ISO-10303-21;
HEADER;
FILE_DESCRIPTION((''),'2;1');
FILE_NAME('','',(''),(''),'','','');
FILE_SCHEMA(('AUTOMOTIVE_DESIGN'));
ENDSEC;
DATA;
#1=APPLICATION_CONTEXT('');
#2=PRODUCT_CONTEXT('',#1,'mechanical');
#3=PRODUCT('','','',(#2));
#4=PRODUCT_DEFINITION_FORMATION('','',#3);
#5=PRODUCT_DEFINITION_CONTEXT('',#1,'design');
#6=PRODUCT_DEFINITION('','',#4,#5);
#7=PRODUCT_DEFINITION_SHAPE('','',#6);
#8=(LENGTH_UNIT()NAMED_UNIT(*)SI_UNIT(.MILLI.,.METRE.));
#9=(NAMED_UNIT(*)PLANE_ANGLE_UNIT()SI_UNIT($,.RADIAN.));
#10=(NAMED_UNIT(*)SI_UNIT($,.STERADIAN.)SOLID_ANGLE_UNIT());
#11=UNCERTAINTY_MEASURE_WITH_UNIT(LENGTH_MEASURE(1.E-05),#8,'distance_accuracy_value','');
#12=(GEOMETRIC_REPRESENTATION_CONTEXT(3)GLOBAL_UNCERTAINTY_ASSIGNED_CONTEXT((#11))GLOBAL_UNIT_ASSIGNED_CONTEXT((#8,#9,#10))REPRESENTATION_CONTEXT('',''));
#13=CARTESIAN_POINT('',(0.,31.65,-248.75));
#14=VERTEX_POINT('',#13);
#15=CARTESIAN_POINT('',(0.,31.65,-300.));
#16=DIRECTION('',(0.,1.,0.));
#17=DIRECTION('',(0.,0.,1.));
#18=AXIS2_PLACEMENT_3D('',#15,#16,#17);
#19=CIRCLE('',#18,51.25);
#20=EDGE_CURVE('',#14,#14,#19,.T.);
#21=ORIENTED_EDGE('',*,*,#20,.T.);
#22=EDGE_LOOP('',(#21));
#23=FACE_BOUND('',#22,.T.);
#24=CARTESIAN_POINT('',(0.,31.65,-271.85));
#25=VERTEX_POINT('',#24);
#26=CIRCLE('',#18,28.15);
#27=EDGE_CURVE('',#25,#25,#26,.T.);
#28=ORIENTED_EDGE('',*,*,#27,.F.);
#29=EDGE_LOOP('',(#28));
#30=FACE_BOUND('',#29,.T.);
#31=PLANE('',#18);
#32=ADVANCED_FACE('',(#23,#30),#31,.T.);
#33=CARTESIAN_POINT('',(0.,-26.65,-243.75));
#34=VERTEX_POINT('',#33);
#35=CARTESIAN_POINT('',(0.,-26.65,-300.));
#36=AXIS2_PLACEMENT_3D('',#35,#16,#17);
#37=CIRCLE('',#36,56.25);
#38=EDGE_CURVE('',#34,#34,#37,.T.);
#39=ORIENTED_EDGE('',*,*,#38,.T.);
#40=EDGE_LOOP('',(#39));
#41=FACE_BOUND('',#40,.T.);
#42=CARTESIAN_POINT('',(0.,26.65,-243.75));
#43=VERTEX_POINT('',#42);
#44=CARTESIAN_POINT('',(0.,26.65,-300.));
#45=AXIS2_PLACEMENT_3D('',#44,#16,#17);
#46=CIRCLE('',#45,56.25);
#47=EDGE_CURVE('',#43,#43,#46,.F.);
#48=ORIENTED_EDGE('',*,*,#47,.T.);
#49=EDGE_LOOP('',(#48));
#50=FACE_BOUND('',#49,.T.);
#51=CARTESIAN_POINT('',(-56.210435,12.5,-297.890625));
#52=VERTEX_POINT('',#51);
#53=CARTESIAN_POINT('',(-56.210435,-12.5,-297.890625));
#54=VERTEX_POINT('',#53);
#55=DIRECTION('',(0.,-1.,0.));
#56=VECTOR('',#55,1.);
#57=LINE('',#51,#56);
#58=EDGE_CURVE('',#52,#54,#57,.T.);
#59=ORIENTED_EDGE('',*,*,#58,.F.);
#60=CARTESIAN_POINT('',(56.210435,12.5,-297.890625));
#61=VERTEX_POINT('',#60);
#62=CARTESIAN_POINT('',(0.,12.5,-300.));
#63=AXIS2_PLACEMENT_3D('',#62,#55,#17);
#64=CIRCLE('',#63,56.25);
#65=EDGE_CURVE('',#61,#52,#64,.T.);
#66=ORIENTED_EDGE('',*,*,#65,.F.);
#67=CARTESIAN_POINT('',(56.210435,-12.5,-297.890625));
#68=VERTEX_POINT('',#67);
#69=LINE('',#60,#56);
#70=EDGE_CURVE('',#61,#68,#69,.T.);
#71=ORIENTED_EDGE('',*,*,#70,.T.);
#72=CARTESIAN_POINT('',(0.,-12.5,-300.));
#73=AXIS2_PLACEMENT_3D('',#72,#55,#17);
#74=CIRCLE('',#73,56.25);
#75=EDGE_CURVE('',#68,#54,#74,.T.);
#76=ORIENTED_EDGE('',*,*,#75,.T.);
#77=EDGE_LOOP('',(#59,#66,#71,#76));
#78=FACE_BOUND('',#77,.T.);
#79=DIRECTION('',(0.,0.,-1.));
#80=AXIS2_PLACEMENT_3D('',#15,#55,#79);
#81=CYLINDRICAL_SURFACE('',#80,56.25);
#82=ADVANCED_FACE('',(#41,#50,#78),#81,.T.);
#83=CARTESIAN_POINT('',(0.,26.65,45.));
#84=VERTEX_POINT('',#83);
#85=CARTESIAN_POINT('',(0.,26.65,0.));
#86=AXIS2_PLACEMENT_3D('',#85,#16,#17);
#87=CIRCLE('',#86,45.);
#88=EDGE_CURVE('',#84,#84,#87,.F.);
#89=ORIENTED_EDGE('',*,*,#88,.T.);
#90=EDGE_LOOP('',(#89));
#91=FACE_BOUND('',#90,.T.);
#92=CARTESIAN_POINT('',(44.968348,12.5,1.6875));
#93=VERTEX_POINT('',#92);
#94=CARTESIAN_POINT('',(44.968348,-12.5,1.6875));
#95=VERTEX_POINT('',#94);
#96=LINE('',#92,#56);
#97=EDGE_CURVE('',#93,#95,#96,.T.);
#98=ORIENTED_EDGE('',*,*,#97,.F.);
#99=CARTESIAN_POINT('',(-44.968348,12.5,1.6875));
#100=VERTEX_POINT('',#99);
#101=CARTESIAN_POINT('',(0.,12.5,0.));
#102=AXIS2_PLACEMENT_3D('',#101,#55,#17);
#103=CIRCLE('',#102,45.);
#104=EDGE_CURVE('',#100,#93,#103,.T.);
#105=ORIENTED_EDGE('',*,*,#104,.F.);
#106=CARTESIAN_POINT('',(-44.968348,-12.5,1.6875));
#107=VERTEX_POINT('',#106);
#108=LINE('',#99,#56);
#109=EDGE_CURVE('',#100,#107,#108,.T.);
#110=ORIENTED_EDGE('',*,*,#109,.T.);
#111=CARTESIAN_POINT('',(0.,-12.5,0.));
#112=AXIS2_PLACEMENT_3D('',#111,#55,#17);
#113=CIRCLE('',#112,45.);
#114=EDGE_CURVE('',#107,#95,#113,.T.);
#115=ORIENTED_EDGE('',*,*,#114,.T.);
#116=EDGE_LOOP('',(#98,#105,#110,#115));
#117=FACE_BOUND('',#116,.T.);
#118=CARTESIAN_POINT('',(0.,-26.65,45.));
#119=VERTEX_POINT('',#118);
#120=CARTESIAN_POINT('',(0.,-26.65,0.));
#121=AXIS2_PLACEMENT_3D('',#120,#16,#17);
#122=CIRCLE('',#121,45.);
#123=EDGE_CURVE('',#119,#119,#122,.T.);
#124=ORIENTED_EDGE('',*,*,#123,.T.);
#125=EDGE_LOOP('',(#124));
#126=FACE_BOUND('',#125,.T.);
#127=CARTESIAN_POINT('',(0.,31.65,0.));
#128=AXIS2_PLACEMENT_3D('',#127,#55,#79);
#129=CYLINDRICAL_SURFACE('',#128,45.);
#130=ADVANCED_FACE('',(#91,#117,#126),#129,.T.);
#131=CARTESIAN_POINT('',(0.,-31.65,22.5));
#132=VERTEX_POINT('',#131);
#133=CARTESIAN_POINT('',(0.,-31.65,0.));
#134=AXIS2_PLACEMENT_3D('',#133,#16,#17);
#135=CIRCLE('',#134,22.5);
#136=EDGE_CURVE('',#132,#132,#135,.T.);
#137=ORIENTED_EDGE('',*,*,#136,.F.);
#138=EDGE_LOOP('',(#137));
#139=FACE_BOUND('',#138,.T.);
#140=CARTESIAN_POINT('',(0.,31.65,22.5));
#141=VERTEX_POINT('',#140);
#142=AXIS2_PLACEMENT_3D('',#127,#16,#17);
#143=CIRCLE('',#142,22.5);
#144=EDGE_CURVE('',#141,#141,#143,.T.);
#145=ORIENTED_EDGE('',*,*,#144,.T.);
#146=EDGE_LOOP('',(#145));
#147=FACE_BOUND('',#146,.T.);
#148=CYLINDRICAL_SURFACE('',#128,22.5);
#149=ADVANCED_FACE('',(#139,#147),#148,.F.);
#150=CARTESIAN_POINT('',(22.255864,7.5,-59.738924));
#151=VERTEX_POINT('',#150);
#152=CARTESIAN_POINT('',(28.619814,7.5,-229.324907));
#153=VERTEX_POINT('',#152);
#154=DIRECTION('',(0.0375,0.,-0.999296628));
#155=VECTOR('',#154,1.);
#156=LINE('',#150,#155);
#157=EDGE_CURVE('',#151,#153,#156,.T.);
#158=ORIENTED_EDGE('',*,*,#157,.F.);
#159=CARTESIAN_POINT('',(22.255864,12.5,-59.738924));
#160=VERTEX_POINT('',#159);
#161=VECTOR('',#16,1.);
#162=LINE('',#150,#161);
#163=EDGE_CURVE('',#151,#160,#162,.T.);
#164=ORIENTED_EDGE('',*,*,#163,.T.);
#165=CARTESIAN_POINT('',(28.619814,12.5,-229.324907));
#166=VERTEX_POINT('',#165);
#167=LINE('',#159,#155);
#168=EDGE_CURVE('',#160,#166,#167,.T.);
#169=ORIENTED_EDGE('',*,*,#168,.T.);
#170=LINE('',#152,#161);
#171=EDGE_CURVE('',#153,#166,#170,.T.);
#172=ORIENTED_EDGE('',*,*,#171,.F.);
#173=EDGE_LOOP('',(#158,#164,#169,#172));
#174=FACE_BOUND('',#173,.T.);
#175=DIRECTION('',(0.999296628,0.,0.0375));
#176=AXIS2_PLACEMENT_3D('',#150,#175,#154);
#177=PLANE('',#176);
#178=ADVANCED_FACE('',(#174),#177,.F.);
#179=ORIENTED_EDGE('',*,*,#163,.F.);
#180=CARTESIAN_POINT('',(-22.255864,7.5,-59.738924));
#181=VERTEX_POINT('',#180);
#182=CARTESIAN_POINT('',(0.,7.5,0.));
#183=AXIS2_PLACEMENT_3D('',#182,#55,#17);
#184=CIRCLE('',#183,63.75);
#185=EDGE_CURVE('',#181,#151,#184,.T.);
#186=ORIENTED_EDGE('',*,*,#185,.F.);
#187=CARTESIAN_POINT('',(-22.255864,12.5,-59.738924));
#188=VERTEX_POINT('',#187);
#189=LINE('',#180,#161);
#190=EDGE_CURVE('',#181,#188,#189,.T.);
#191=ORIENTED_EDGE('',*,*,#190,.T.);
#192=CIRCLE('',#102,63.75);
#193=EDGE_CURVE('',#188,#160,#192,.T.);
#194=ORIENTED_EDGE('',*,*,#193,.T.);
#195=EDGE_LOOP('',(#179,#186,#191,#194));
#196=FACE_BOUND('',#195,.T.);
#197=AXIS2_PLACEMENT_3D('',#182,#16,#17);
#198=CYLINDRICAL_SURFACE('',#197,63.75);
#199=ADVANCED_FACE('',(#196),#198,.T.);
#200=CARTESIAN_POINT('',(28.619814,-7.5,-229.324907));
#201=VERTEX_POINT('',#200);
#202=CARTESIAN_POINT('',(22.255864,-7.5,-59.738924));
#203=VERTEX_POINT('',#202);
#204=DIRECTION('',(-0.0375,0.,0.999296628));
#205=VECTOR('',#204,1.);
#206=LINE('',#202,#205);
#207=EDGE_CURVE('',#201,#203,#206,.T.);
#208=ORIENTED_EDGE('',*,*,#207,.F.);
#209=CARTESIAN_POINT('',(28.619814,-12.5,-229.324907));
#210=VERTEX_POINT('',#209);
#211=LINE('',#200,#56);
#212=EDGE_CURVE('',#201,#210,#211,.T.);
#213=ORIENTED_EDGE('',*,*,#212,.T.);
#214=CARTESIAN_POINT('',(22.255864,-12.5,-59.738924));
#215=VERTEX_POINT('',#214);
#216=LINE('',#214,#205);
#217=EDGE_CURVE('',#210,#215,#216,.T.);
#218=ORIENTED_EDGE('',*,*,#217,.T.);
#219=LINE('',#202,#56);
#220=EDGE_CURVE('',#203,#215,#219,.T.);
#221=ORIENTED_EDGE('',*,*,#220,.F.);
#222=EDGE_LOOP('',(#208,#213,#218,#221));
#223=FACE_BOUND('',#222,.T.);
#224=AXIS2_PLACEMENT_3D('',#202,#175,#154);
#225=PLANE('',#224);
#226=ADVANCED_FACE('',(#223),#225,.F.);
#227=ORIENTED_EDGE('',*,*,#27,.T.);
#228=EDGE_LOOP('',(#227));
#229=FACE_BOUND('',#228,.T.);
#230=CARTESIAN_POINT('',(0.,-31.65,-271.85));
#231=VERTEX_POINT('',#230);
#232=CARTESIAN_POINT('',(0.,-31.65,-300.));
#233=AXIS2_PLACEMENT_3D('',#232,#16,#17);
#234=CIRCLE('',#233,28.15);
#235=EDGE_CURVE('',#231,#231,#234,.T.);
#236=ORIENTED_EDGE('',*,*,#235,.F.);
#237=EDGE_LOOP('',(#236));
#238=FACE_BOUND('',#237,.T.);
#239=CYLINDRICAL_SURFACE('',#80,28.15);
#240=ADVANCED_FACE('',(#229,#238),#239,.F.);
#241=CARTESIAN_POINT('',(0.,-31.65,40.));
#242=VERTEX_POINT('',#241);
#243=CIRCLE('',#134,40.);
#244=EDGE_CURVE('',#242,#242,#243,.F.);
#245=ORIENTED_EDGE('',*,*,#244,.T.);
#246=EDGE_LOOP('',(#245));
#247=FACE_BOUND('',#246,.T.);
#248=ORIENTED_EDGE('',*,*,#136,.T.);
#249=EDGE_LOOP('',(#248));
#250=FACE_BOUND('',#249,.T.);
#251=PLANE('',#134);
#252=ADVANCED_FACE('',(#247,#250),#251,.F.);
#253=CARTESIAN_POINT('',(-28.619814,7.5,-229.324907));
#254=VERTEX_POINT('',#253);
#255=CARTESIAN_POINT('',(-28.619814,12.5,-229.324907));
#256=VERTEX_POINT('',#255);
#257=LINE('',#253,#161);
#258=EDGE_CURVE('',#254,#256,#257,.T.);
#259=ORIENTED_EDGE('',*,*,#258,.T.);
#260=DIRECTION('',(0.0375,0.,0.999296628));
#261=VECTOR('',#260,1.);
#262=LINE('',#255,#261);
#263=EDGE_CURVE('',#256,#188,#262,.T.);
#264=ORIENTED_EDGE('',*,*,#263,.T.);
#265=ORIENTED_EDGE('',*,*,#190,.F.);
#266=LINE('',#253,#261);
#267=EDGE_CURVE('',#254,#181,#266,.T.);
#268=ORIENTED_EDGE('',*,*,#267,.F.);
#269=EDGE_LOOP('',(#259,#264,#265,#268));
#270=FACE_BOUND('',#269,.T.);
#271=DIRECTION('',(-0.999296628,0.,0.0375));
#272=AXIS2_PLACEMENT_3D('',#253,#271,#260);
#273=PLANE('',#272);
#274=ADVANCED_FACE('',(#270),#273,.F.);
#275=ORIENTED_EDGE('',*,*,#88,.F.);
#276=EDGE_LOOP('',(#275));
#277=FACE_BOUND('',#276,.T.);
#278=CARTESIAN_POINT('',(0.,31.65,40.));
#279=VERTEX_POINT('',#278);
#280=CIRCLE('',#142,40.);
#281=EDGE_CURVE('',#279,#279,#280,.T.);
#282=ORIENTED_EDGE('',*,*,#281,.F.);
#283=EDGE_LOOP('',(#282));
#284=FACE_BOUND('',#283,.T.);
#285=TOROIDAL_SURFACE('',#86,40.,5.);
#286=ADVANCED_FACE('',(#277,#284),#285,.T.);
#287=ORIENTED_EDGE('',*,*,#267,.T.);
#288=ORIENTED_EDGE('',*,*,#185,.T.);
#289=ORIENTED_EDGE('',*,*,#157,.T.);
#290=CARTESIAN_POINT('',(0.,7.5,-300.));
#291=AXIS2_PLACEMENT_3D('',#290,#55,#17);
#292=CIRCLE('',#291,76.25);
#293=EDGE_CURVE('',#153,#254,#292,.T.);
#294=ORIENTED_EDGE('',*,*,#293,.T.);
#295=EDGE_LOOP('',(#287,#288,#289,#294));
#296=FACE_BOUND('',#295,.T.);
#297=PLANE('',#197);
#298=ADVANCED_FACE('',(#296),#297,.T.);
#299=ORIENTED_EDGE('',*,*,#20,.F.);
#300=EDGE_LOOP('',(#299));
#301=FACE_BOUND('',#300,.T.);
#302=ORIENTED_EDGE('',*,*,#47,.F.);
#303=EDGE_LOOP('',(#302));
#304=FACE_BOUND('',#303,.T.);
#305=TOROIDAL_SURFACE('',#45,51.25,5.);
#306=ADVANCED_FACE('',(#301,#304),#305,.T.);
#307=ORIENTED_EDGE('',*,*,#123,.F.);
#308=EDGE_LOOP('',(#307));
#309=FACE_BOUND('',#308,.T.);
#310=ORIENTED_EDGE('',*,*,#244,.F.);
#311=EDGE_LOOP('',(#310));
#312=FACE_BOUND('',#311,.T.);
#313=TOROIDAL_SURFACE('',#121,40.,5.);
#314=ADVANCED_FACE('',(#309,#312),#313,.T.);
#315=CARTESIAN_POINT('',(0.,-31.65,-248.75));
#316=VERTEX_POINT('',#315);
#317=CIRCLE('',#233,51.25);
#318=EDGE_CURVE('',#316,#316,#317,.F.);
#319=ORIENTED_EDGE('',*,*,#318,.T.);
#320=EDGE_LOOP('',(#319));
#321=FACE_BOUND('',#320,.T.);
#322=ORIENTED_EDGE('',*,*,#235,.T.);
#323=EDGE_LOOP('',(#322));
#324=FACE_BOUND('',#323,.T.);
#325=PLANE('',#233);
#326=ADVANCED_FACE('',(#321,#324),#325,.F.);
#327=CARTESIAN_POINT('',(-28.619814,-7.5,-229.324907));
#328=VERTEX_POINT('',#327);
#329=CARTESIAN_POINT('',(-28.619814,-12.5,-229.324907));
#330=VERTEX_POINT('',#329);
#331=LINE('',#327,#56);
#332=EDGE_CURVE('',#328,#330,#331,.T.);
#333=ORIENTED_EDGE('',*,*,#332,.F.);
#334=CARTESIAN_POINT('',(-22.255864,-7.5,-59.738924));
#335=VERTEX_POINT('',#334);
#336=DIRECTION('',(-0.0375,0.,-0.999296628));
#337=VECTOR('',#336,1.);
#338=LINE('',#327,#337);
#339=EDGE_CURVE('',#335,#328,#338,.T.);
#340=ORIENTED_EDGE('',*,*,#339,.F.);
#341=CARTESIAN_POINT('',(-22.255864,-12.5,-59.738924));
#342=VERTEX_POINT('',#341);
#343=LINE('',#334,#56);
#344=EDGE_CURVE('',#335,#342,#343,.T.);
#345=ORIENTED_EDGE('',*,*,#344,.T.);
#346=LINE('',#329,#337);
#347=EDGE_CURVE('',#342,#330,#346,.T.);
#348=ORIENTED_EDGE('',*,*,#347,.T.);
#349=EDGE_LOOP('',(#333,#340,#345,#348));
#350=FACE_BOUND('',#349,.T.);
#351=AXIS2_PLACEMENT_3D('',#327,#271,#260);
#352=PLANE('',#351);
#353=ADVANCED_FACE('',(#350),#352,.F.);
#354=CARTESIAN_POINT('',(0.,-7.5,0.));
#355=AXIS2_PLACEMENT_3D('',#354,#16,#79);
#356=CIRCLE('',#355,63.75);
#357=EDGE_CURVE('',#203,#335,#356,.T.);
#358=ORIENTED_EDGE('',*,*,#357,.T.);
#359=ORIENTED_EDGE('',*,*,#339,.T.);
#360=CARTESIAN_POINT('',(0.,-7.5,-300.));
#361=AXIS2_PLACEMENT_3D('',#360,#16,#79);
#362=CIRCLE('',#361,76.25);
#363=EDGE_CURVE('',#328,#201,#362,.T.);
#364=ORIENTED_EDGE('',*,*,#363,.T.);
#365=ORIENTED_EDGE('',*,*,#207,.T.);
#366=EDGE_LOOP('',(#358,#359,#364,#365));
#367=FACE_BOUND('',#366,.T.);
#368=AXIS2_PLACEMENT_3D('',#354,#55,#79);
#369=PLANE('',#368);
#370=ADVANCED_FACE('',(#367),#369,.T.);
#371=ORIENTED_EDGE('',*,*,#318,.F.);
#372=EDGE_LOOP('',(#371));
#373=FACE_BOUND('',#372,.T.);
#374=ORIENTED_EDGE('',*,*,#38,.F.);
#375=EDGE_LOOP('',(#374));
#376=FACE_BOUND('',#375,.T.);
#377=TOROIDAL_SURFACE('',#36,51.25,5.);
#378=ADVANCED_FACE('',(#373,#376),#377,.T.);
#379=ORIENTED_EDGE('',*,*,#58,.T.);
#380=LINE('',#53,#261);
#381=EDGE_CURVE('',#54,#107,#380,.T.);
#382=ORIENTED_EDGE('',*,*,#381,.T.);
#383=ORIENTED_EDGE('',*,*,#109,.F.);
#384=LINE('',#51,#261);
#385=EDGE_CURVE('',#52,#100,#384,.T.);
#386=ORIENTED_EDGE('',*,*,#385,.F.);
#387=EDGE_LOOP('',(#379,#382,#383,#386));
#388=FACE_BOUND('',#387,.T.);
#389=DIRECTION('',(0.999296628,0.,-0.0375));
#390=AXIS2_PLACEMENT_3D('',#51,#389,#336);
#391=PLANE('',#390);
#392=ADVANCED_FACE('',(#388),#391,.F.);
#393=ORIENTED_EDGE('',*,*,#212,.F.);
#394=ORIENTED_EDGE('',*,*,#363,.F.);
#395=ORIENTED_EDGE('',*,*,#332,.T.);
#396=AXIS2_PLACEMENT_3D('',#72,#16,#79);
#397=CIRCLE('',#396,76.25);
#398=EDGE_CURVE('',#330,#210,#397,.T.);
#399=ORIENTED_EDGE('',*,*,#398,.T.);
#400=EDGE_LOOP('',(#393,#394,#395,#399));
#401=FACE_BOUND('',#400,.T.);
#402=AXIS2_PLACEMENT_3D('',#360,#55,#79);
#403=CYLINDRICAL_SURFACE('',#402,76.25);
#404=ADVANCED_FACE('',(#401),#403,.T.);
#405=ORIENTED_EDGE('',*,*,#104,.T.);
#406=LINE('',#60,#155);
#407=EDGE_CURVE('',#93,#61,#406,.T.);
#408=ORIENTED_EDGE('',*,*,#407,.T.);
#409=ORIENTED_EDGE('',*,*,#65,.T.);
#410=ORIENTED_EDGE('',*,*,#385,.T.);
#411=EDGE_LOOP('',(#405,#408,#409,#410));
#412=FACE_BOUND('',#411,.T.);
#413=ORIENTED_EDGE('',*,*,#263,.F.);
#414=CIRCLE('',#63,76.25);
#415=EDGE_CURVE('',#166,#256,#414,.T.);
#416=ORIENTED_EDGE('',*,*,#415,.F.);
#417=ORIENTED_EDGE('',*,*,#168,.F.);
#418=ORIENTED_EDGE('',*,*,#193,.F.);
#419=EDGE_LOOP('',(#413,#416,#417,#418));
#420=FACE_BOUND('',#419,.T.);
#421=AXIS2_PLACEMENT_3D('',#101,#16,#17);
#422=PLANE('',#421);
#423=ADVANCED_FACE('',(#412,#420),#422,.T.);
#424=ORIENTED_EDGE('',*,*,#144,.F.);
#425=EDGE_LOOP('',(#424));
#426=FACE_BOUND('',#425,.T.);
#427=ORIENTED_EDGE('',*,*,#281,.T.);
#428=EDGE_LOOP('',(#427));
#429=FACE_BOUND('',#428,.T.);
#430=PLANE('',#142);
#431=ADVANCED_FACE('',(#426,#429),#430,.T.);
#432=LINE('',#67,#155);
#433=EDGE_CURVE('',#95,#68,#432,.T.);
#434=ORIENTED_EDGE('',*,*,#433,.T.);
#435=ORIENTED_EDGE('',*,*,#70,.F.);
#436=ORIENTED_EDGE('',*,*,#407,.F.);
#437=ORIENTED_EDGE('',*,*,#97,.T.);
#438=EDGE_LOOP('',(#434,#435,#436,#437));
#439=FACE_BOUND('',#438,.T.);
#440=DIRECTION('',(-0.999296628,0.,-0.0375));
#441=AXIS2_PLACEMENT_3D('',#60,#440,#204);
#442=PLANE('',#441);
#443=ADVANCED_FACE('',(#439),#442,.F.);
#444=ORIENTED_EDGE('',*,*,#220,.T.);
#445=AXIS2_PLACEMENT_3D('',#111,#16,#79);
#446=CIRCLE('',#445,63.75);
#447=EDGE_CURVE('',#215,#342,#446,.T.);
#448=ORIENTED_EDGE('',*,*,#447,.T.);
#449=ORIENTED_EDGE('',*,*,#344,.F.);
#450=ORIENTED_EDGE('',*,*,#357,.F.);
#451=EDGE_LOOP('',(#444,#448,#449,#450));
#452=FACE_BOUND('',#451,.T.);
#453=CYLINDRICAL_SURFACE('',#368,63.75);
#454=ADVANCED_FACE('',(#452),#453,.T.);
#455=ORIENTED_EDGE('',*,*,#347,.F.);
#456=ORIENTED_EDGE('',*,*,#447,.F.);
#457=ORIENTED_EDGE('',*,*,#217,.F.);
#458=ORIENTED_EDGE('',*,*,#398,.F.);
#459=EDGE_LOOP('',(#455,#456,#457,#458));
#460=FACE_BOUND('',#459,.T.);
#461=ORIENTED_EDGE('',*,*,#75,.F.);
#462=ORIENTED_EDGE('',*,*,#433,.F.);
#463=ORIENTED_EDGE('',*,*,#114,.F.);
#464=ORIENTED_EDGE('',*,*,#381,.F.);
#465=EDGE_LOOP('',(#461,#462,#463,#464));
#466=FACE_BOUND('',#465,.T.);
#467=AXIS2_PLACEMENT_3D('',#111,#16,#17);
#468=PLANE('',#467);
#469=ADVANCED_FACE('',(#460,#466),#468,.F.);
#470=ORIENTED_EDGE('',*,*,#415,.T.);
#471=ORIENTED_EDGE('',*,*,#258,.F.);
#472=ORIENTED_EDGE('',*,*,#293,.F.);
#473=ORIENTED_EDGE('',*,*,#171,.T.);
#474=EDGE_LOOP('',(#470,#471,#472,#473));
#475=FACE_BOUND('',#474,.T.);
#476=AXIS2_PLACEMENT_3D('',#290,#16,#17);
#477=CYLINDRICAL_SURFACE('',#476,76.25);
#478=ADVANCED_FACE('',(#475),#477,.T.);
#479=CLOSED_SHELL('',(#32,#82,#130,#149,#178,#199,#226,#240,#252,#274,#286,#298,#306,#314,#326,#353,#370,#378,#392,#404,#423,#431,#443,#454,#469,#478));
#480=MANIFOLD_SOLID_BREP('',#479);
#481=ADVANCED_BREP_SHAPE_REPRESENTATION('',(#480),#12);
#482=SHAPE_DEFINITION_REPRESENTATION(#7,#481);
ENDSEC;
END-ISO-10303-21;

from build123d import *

# Parameters (mm, degrees)
SKETCH1_R             = 45
SKETCH1_R_2           = 22.5
BOSS_EXTRUDE1_DEPTH   = 31.65
SKETCH1_R_3           = 56.25
SKETCH1_R_4           = 28.15
BOSS_EXTRUDE1_2_DEPTH = 31.65
BOSS_EXTRUDE2_DEPTH   = 12.5
CUT_EXTRUDE1_DEPTH    = 5
CUT_EXTRUDE2_START    = -5
CUT_EXTRUDE2_DEPTH    = 5
FILLET1_R             = 5


with BuildPart() as part:
    # Sketch1 → Boss-Extrude1 (new, symmetric)
    with BuildSketch(Plane(origin=(0, 0, 0), x_dir=(1, 0, 0), z_dir=(0, 1, 0))):
        with Locations(Location((0, 0, 0), (0, 0, 270))):
            Circle(SKETCH1_R)
        with Locations(Location((0, 0, 0), (0, 0, 270))):
            Circle(SKETCH1_R_2, mode=Mode.SUBTRACT)
    extrude(amount=BOSS_EXTRUDE1_DEPTH, both=True)



with BuildPart() as body_2:
    # Sketch1 → Boss-Extrude1 2 (new, symmetric)
    with BuildSketch(Plane(origin=(0, 0, 0), x_dir=(1, 0, 0), z_dir=(0, 1, 0))):
        with Locations(Location((0, 300, 0), (0, 0, 270))):
            Circle(SKETCH1_R_3)
        with Locations(Location((0, 300, 0), (0, 0, 270))):
            Circle(SKETCH1_R_4, mode=Mode.SUBTRACT)
    extrude(amount=BOSS_EXTRUDE1_2_DEPTH, both=True)


with BuildPart() as part_1:
    add(part.part)

    add(body_2.part)  # Boss-Extrude2 merges body 2
    # Sketch2 → Boss-Extrude2 (add, symmetric)
    with BuildSketch(Plane(origin=(0, 0, 0), x_dir=(1, 0, 0), z_dir=(0, 1, 0))):
        with BuildLine():
            Line((-56.210435304, 297.890625), (-44.968348244, -1.6875))
            ThreePointArc((-44.968348244, -1.6875), (0, 45), (44.968348244, -1.6875))
            Line((44.968348244, -1.6875), (56.210435304, 297.890625))
            ThreePointArc((56.210435304, 297.890625), (0, 243.75), (-56.210435304, 297.890625))
        make_face()
    extrude(amount=BOSS_EXTRUDE2_DEPTH, both=True)

    # Sketch3 → Cut-Extrude1 (cut)
    with BuildSketch(Plane(origin=(0, 12.5, 0), x_dir=(1, 0, 0), z_dir=(0, 1, 0))):
        with BuildLine():
            Line((-28.619814412, 229.324907336), (-22.255863805, 59.73892388))
            ThreePointArc((-22.255863805, 59.73892388), (0, 63.75), (22.255863805, 59.73892388))
            Line((22.255863805, 59.73892388), (28.619814412, 229.324907336))
            ThreePointArc((28.619814412, 229.324907336), (0, 223.75), (-28.619814412, 229.324907336))
        make_face()
    extrude(amount=-CUT_EXTRUDE1_DEPTH, mode=Mode.SUBTRACT)

    # Sketch4 → Cut-Extrude2 (cut)
    with BuildSketch(Plane.XZ.offset(12.5).offset(CUT_EXTRUDE2_START)):
        with BuildLine():
            Line((22.255863805, -59.73892388), (28.619814412, -229.324907336))
            ThreePointArc((28.619814412, -229.324907336), (0, -223.75), (-28.619814412, -229.324907336))
            Line((-28.619814412, -229.324907336), (-22.255863805, -59.73892388))
            ThreePointArc((-22.255863805, -59.73892388), (0, -63.75), (22.255863805, -59.73892388))
        make_face()
    extrude(amount=CUT_EXTRUDE2_DEPTH, mode=Mode.SUBTRACT)

    # Fillet1
    fillet1_edges = [part_1.edges().sort_by_distance(p)[0] for p in [
        (0, -31.65, -45),
        (0, 31.65, -356.25),
        (0, -31.65, -356.25),
        (0, 31.65, -45),
    ]]
    fillet(fillet1_edges, radius=FILLET1_R)


solid = part_1.part
